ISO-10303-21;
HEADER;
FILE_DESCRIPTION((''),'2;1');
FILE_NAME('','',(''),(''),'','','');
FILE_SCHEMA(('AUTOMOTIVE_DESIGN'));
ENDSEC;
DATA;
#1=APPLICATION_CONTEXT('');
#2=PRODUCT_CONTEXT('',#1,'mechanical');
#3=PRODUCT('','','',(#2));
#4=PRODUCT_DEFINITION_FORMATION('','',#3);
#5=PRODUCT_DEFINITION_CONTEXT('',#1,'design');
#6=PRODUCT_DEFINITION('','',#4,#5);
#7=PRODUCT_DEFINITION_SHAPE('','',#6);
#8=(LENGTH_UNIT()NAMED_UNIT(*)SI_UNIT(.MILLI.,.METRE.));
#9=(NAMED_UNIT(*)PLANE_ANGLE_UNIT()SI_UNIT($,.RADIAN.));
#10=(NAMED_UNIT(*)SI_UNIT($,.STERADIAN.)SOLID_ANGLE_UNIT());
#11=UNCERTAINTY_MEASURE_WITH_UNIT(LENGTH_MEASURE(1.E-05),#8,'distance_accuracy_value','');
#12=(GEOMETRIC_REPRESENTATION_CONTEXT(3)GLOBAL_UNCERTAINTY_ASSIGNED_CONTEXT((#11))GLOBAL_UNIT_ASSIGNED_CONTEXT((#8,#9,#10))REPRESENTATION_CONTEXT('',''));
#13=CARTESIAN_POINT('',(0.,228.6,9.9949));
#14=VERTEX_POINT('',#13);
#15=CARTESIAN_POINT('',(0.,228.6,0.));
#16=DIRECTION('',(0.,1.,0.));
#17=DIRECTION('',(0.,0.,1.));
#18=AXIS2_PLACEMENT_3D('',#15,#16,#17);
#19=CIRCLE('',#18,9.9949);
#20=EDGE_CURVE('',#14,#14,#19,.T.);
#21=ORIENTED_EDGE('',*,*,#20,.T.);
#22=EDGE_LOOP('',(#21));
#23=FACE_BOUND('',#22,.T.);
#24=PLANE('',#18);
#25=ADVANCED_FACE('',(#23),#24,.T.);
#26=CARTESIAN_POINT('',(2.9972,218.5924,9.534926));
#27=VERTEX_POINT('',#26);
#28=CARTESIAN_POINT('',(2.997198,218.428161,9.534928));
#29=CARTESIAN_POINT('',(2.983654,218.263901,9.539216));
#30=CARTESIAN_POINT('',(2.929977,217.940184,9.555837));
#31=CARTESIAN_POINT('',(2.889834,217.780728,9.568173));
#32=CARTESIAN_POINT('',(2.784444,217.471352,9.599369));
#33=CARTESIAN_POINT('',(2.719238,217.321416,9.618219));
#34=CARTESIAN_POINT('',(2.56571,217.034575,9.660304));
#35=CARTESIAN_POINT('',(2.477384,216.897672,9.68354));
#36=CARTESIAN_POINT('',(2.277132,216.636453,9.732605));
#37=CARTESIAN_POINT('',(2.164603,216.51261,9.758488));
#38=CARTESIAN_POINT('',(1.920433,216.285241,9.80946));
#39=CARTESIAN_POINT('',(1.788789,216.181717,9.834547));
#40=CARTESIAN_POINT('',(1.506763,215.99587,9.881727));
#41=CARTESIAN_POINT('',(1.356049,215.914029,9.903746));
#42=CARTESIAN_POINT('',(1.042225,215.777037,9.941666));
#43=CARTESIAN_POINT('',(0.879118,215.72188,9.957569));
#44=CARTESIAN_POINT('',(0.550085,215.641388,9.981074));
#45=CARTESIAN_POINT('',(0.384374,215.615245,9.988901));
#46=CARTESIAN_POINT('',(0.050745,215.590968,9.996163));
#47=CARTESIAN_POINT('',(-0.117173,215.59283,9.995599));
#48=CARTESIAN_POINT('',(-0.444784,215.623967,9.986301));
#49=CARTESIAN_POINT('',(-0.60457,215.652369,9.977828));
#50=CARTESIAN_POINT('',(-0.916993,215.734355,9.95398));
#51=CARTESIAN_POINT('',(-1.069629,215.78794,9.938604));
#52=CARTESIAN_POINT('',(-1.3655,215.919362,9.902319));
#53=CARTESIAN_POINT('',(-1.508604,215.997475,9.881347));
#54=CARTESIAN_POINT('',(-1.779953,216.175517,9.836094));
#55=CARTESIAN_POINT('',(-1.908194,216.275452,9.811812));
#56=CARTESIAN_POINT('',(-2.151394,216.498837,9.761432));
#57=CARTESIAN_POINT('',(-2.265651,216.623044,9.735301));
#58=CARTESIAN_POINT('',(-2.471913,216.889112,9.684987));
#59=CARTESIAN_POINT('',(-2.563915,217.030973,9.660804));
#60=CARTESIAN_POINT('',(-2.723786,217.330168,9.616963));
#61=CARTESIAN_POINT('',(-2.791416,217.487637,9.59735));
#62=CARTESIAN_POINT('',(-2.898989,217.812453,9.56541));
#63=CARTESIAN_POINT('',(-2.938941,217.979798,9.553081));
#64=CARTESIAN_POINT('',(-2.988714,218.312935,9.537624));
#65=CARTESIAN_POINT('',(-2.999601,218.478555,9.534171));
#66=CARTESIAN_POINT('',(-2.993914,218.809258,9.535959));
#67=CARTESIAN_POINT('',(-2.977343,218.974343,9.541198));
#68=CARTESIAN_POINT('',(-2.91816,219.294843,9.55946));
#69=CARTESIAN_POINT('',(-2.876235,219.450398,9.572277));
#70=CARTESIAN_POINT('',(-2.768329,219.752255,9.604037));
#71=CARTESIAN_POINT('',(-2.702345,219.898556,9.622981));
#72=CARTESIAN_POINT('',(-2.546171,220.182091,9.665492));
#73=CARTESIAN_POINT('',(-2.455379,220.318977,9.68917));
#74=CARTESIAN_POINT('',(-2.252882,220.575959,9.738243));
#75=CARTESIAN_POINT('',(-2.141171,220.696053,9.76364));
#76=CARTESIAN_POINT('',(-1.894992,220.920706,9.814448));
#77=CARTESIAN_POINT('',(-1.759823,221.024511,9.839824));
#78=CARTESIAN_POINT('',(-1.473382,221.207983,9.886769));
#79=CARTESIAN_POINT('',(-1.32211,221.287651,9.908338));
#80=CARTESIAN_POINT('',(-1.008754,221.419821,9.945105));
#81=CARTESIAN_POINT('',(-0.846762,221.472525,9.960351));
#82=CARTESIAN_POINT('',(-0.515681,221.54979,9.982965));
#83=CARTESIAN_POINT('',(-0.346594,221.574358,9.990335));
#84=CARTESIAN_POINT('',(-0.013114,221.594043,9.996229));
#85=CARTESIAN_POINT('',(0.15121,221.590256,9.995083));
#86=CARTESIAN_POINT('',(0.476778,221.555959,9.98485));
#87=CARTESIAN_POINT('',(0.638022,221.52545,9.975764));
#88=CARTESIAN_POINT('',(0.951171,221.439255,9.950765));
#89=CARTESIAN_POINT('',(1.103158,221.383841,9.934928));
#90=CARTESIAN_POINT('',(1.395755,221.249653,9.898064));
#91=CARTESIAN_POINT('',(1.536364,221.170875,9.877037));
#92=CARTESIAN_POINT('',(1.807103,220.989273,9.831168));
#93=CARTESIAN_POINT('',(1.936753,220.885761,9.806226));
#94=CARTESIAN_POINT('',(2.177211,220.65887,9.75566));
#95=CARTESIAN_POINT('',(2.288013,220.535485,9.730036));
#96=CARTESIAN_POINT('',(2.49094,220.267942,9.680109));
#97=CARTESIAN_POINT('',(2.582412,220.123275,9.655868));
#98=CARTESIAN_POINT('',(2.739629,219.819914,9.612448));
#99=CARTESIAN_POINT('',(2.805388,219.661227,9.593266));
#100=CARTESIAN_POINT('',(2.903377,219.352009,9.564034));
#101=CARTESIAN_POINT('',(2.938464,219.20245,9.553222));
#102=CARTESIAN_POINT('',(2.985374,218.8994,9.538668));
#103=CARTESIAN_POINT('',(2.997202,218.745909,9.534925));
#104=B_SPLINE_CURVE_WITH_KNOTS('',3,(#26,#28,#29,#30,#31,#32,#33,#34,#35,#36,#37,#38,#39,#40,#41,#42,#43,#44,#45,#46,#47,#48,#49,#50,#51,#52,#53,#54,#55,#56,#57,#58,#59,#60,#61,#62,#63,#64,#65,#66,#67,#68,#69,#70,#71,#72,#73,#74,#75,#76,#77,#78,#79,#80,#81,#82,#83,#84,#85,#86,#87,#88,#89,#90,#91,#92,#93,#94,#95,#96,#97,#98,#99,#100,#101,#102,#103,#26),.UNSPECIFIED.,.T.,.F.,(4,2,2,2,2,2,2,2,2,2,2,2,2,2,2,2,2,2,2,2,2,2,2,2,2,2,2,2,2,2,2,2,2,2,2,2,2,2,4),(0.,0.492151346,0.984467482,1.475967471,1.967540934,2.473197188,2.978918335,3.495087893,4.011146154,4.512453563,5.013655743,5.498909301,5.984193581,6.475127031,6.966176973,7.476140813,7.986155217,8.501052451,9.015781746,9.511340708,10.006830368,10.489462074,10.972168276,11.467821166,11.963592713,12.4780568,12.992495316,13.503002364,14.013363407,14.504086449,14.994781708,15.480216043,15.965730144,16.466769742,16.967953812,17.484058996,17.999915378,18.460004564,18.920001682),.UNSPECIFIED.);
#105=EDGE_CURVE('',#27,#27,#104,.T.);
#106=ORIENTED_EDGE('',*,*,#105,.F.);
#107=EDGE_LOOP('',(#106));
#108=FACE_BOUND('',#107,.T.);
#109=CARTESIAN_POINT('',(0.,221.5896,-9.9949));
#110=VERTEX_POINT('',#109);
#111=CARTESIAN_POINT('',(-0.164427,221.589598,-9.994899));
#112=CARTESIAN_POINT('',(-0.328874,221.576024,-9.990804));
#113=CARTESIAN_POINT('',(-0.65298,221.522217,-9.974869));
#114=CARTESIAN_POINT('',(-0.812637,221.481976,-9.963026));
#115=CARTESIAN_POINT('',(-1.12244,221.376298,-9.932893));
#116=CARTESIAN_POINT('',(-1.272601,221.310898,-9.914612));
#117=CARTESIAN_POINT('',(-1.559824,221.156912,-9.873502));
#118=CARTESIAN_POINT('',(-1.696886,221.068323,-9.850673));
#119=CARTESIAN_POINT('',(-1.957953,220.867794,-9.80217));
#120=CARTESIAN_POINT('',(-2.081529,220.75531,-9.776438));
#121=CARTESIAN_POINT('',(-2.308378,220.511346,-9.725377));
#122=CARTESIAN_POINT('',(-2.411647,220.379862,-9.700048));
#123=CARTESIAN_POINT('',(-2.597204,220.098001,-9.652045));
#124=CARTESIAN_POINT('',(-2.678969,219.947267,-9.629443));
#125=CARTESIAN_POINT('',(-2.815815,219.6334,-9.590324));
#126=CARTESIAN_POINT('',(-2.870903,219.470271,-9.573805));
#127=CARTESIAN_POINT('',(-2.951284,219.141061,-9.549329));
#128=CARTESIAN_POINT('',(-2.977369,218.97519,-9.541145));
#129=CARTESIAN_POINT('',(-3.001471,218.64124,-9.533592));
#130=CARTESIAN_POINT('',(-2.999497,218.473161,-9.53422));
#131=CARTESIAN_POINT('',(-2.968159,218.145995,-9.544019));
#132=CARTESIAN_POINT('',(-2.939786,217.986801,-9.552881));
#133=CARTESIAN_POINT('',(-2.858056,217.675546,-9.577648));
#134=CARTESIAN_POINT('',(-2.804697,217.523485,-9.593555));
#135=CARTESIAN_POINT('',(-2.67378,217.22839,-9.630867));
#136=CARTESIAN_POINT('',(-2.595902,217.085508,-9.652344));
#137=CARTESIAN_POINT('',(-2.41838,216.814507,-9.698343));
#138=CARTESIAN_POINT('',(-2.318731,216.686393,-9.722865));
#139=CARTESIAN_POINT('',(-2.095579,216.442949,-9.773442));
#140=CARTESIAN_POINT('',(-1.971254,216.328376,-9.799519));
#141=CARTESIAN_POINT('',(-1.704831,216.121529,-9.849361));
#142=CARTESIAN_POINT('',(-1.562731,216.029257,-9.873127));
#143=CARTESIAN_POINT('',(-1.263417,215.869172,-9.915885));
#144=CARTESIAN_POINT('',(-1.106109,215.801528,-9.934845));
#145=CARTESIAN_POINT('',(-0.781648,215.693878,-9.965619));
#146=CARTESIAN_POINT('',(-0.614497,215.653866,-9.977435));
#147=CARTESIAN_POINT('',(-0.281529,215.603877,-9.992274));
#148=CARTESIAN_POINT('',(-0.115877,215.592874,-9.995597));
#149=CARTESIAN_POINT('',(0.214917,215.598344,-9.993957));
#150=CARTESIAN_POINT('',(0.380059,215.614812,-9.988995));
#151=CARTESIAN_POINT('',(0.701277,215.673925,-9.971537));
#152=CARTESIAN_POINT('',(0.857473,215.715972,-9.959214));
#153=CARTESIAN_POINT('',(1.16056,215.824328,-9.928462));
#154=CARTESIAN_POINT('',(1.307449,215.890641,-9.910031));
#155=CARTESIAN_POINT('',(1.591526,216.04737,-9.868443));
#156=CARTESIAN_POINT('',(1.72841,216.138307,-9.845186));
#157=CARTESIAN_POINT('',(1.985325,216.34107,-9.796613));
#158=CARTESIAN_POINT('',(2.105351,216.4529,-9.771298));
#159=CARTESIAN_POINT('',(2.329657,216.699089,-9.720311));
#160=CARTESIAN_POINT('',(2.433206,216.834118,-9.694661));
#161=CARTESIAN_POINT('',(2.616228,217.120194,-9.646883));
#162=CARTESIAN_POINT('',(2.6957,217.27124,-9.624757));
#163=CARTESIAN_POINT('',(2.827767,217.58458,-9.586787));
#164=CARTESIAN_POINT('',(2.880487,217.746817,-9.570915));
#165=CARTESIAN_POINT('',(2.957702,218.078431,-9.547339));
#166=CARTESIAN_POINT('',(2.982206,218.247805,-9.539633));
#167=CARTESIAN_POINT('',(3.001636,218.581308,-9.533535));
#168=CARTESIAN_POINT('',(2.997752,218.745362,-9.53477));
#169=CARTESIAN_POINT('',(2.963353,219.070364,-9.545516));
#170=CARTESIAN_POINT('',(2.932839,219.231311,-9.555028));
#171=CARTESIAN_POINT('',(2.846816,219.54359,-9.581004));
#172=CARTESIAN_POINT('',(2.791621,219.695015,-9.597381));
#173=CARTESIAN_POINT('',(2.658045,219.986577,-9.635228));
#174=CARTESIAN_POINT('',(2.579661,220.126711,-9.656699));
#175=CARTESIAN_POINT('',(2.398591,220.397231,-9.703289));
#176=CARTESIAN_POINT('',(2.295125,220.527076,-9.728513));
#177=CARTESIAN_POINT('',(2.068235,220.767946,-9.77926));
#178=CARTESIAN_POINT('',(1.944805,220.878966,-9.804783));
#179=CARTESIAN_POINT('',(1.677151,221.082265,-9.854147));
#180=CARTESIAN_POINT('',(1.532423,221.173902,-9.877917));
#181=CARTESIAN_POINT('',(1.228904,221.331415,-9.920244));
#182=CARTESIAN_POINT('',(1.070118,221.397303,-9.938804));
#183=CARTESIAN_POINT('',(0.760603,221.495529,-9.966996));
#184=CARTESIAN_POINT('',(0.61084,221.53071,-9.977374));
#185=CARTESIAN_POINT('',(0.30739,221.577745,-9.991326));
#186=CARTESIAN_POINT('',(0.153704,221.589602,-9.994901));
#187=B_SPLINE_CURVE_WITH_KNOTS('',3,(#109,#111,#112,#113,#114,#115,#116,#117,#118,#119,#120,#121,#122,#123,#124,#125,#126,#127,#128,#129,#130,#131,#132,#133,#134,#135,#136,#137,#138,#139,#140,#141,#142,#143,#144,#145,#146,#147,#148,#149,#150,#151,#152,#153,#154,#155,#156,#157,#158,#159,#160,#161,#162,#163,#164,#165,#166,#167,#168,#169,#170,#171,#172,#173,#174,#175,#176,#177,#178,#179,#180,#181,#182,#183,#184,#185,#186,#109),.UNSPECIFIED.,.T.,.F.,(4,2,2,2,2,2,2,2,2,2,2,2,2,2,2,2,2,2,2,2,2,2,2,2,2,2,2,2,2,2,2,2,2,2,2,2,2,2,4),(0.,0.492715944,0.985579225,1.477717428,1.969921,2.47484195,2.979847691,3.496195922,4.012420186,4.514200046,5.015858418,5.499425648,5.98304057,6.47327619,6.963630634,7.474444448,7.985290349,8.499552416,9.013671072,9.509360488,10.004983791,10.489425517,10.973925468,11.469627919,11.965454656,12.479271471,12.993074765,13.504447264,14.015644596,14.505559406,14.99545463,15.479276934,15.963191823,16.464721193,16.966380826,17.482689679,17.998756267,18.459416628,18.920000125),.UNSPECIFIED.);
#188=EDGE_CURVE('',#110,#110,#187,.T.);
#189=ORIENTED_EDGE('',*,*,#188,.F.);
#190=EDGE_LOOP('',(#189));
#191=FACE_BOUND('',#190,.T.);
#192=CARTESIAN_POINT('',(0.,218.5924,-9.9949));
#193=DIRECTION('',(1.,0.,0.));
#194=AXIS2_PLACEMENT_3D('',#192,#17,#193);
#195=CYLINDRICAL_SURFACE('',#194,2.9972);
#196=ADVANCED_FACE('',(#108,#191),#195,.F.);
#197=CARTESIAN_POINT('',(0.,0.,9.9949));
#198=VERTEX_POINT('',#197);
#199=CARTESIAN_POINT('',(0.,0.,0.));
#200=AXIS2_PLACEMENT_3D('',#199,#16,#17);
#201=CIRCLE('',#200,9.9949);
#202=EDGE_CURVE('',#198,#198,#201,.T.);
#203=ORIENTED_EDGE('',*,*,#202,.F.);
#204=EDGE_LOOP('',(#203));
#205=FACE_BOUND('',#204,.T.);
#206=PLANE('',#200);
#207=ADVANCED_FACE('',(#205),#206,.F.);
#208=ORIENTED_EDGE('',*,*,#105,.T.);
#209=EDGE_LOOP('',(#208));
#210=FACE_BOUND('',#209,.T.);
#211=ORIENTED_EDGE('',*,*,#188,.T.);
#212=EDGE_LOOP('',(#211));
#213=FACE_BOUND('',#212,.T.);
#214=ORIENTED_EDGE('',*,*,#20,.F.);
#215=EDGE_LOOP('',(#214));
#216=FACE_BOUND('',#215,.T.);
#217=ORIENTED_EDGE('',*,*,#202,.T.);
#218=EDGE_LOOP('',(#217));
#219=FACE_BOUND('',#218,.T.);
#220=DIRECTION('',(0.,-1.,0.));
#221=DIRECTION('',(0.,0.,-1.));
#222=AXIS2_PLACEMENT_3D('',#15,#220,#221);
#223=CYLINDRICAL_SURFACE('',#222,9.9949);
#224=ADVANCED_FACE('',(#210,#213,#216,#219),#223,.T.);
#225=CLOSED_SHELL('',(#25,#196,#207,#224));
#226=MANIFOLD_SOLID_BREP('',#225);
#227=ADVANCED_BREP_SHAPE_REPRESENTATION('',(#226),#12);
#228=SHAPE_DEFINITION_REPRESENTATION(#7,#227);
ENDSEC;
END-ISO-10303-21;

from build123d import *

# Parameters (mm, degrees)
SKETCH1_R               = 9.9949
BOSS_EXTRUDE1_DEPTH     = 228.6
SKETCH2_R               = 2.9972
CUT_EXTRUDE1_DEPTH      = 10.9949
CUT_EXTRUDE1_DEPTH_BACK = 10.9949


with BuildPart() as part:
    # Sketch1 → Boss-Extrude1 (new body)
    with BuildSketch(Plane(origin=(0, 0, 0), x_dir=(1, 0, 0), z_dir=(0, 1, 0))):
        Circle(SKETCH1_R)
    extrude(amount=BOSS_EXTRUDE1_DEPTH)

    # Sketch2 → Cut-Extrude1 (cut, two sides)
    with BuildSketch(Plane.XY) as cut_extrude1_sk:
        with Locations((0, 218.5924)):
            Circle(SKETCH2_R)
    extrude(amount=CUT_EXTRUDE1_DEPTH, mode=Mode.SUBTRACT)
    extrude(cut_extrude1_sk.sketch, amount=-CUT_EXTRUDE1_DEPTH_BACK, mode=Mode.SUBTRACT)


solid = part.part
